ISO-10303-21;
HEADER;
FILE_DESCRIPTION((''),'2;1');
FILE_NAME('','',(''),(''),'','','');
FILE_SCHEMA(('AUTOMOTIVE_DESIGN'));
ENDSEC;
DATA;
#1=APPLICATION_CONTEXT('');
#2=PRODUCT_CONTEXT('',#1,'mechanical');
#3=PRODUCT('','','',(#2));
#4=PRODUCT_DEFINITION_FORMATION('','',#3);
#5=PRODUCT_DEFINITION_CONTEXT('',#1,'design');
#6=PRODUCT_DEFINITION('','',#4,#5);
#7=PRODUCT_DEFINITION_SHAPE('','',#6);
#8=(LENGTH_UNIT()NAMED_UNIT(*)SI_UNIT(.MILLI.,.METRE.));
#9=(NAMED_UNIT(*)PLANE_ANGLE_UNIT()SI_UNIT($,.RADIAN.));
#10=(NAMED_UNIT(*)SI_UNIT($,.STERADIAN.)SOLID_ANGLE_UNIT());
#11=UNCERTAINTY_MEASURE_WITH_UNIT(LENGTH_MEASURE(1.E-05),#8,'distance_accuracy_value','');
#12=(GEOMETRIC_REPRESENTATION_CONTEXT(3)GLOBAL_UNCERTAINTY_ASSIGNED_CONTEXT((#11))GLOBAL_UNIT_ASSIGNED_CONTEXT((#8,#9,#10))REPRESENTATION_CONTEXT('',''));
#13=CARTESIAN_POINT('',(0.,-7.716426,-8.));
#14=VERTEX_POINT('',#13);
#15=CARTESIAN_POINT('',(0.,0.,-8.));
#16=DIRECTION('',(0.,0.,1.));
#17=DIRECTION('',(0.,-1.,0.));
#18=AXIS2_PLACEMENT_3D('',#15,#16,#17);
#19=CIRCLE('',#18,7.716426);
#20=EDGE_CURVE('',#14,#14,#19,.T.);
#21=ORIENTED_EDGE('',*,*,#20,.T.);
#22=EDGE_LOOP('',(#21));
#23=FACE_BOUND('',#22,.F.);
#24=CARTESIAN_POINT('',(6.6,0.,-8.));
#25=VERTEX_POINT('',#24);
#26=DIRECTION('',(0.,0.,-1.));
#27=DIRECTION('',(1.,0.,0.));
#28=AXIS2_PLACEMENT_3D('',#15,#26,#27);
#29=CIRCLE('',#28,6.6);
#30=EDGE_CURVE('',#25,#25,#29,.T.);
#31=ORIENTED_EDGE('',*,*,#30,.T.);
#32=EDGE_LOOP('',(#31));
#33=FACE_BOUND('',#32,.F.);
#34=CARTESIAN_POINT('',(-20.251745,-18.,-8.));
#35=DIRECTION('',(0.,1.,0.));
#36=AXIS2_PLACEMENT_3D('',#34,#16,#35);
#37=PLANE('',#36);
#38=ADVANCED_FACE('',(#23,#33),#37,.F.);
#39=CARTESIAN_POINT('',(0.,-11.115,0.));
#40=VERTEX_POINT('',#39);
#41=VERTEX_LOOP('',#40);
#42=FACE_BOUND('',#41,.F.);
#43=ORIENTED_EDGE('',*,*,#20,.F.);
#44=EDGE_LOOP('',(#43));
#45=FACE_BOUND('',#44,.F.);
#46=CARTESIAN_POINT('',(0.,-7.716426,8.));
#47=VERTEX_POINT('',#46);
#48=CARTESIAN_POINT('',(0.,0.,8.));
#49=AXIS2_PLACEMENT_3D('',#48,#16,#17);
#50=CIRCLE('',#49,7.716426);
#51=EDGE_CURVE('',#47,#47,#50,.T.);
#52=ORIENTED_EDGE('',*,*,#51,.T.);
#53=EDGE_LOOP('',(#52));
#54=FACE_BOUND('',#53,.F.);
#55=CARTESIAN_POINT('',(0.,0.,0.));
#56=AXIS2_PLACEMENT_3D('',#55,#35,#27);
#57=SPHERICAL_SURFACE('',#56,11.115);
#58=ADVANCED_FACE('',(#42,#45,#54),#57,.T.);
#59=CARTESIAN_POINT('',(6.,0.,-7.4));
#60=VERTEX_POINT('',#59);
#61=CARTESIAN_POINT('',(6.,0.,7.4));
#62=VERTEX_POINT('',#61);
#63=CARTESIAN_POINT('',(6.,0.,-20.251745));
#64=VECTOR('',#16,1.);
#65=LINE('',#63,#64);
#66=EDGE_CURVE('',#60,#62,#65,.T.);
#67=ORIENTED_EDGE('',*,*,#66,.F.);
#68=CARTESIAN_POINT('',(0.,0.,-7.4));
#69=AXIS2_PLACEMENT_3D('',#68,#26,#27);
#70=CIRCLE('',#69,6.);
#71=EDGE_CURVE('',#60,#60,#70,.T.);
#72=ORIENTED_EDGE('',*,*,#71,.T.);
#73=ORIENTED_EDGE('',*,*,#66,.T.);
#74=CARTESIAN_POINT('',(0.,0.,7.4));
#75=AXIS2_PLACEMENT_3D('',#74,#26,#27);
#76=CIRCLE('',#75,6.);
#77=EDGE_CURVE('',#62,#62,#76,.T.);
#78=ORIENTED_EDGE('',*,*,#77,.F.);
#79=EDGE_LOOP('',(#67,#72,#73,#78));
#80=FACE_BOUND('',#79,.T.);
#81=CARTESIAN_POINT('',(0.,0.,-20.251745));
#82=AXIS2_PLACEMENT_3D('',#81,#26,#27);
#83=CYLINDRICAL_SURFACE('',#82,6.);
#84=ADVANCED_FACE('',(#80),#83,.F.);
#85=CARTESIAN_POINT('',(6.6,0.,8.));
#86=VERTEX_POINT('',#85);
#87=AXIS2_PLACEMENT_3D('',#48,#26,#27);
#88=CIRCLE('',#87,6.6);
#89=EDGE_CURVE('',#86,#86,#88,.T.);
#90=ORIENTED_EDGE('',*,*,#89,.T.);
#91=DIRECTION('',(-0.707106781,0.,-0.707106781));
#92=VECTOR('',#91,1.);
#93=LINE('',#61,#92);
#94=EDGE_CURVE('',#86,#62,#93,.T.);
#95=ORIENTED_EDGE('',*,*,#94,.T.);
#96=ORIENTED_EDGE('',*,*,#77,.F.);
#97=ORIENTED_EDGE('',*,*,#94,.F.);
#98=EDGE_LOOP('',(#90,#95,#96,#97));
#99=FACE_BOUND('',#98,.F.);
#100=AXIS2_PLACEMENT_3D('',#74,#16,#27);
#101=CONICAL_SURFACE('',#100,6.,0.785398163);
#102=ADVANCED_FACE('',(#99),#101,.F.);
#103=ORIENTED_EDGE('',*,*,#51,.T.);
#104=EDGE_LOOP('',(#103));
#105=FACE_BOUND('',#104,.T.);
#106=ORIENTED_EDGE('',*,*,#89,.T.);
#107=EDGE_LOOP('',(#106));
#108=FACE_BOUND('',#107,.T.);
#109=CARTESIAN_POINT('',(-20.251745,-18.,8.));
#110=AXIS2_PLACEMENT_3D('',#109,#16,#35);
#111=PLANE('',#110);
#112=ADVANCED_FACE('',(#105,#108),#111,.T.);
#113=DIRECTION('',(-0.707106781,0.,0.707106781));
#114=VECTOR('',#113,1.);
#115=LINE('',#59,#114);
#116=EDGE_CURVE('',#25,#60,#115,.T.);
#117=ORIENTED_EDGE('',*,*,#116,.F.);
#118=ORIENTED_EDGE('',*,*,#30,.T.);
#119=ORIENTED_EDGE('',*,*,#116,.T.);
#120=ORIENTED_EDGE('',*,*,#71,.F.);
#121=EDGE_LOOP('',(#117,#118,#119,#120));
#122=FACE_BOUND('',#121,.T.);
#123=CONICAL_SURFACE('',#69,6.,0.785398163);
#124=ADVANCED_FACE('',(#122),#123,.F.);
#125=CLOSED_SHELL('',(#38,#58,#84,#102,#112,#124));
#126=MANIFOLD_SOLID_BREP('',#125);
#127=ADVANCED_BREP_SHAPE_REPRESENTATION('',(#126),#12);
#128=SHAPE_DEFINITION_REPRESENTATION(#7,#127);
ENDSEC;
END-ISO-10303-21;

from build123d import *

# Parameters (mm, degrees)
CUT_EXTRUDE3_DEPTH      = 20.251744726
CUT_EXTRUDE3_DEPTH_BACK = 20.251744726
SKETCH8_W               = 7
SKETCH8_H               = 36
CUT_EXTRUDE4_DEPTH      = 20.251744726
CUT_EXTRUDE4_DEPTH_BACK = 20.251744726
SKETCH10_R              = 6
CHAMFER1_SIZE           = 0.6


with BuildPart() as part:
    # Sketch7 → Revolve3 (revolve)
    with BuildSketch(Plane.XY):
        with BuildLine():
            Line((0, 11.115), (0, -11.115))
            ThreePointArc((0, -11.115), (11.115, 0), (0, 11.115))
        make_face()
    revolve(axis=Axis((0, 11.115, 0), (0, -1, 0)))

    # Sketch8 → Cut-Extrude3 (cut, two sides: drawn at the far end of the back side and taken through both)
    with BuildSketch(Plane(origin=(0, 0, 0), x_dir=(0, 0, -1), z_dir=(1, 0, 0)).offset(-CUT_EXTRUDE3_DEPTH_BACK)):
        with Locations((-11.5, 0)):
            Rectangle(SKETCH8_W, SKETCH8_H)
        with Locations((11.5, 0)):
            Rectangle(SKETCH8_W, SKETCH8_H)
    extrude(amount=CUT_EXTRUDE3_DEPTH + CUT_EXTRUDE3_DEPTH_BACK, mode=Mode.SUBTRACT)

    # Sketch10 → Cut-Extrude4 (cut, two sides: drawn at the far end of the back side and taken through both)
    with BuildSketch(Plane.XY.offset(-CUT_EXTRUDE4_DEPTH_BACK)):
        Circle(SKETCH10_R)
    extrude(amount=CUT_EXTRUDE4_DEPTH + CUT_EXTRUDE4_DEPTH_BACK, mode=Mode.SUBTRACT)

    # Chamfer1
    chamfer1_edges = [part.edges().sort_by_distance(p)[0] for p in [
        (-6, 0, -8),
        (-6, 0, 8),
    ]]
    chamfer(chamfer1_edges, length=CHAMFER1_SIZE)


solid = part.part
